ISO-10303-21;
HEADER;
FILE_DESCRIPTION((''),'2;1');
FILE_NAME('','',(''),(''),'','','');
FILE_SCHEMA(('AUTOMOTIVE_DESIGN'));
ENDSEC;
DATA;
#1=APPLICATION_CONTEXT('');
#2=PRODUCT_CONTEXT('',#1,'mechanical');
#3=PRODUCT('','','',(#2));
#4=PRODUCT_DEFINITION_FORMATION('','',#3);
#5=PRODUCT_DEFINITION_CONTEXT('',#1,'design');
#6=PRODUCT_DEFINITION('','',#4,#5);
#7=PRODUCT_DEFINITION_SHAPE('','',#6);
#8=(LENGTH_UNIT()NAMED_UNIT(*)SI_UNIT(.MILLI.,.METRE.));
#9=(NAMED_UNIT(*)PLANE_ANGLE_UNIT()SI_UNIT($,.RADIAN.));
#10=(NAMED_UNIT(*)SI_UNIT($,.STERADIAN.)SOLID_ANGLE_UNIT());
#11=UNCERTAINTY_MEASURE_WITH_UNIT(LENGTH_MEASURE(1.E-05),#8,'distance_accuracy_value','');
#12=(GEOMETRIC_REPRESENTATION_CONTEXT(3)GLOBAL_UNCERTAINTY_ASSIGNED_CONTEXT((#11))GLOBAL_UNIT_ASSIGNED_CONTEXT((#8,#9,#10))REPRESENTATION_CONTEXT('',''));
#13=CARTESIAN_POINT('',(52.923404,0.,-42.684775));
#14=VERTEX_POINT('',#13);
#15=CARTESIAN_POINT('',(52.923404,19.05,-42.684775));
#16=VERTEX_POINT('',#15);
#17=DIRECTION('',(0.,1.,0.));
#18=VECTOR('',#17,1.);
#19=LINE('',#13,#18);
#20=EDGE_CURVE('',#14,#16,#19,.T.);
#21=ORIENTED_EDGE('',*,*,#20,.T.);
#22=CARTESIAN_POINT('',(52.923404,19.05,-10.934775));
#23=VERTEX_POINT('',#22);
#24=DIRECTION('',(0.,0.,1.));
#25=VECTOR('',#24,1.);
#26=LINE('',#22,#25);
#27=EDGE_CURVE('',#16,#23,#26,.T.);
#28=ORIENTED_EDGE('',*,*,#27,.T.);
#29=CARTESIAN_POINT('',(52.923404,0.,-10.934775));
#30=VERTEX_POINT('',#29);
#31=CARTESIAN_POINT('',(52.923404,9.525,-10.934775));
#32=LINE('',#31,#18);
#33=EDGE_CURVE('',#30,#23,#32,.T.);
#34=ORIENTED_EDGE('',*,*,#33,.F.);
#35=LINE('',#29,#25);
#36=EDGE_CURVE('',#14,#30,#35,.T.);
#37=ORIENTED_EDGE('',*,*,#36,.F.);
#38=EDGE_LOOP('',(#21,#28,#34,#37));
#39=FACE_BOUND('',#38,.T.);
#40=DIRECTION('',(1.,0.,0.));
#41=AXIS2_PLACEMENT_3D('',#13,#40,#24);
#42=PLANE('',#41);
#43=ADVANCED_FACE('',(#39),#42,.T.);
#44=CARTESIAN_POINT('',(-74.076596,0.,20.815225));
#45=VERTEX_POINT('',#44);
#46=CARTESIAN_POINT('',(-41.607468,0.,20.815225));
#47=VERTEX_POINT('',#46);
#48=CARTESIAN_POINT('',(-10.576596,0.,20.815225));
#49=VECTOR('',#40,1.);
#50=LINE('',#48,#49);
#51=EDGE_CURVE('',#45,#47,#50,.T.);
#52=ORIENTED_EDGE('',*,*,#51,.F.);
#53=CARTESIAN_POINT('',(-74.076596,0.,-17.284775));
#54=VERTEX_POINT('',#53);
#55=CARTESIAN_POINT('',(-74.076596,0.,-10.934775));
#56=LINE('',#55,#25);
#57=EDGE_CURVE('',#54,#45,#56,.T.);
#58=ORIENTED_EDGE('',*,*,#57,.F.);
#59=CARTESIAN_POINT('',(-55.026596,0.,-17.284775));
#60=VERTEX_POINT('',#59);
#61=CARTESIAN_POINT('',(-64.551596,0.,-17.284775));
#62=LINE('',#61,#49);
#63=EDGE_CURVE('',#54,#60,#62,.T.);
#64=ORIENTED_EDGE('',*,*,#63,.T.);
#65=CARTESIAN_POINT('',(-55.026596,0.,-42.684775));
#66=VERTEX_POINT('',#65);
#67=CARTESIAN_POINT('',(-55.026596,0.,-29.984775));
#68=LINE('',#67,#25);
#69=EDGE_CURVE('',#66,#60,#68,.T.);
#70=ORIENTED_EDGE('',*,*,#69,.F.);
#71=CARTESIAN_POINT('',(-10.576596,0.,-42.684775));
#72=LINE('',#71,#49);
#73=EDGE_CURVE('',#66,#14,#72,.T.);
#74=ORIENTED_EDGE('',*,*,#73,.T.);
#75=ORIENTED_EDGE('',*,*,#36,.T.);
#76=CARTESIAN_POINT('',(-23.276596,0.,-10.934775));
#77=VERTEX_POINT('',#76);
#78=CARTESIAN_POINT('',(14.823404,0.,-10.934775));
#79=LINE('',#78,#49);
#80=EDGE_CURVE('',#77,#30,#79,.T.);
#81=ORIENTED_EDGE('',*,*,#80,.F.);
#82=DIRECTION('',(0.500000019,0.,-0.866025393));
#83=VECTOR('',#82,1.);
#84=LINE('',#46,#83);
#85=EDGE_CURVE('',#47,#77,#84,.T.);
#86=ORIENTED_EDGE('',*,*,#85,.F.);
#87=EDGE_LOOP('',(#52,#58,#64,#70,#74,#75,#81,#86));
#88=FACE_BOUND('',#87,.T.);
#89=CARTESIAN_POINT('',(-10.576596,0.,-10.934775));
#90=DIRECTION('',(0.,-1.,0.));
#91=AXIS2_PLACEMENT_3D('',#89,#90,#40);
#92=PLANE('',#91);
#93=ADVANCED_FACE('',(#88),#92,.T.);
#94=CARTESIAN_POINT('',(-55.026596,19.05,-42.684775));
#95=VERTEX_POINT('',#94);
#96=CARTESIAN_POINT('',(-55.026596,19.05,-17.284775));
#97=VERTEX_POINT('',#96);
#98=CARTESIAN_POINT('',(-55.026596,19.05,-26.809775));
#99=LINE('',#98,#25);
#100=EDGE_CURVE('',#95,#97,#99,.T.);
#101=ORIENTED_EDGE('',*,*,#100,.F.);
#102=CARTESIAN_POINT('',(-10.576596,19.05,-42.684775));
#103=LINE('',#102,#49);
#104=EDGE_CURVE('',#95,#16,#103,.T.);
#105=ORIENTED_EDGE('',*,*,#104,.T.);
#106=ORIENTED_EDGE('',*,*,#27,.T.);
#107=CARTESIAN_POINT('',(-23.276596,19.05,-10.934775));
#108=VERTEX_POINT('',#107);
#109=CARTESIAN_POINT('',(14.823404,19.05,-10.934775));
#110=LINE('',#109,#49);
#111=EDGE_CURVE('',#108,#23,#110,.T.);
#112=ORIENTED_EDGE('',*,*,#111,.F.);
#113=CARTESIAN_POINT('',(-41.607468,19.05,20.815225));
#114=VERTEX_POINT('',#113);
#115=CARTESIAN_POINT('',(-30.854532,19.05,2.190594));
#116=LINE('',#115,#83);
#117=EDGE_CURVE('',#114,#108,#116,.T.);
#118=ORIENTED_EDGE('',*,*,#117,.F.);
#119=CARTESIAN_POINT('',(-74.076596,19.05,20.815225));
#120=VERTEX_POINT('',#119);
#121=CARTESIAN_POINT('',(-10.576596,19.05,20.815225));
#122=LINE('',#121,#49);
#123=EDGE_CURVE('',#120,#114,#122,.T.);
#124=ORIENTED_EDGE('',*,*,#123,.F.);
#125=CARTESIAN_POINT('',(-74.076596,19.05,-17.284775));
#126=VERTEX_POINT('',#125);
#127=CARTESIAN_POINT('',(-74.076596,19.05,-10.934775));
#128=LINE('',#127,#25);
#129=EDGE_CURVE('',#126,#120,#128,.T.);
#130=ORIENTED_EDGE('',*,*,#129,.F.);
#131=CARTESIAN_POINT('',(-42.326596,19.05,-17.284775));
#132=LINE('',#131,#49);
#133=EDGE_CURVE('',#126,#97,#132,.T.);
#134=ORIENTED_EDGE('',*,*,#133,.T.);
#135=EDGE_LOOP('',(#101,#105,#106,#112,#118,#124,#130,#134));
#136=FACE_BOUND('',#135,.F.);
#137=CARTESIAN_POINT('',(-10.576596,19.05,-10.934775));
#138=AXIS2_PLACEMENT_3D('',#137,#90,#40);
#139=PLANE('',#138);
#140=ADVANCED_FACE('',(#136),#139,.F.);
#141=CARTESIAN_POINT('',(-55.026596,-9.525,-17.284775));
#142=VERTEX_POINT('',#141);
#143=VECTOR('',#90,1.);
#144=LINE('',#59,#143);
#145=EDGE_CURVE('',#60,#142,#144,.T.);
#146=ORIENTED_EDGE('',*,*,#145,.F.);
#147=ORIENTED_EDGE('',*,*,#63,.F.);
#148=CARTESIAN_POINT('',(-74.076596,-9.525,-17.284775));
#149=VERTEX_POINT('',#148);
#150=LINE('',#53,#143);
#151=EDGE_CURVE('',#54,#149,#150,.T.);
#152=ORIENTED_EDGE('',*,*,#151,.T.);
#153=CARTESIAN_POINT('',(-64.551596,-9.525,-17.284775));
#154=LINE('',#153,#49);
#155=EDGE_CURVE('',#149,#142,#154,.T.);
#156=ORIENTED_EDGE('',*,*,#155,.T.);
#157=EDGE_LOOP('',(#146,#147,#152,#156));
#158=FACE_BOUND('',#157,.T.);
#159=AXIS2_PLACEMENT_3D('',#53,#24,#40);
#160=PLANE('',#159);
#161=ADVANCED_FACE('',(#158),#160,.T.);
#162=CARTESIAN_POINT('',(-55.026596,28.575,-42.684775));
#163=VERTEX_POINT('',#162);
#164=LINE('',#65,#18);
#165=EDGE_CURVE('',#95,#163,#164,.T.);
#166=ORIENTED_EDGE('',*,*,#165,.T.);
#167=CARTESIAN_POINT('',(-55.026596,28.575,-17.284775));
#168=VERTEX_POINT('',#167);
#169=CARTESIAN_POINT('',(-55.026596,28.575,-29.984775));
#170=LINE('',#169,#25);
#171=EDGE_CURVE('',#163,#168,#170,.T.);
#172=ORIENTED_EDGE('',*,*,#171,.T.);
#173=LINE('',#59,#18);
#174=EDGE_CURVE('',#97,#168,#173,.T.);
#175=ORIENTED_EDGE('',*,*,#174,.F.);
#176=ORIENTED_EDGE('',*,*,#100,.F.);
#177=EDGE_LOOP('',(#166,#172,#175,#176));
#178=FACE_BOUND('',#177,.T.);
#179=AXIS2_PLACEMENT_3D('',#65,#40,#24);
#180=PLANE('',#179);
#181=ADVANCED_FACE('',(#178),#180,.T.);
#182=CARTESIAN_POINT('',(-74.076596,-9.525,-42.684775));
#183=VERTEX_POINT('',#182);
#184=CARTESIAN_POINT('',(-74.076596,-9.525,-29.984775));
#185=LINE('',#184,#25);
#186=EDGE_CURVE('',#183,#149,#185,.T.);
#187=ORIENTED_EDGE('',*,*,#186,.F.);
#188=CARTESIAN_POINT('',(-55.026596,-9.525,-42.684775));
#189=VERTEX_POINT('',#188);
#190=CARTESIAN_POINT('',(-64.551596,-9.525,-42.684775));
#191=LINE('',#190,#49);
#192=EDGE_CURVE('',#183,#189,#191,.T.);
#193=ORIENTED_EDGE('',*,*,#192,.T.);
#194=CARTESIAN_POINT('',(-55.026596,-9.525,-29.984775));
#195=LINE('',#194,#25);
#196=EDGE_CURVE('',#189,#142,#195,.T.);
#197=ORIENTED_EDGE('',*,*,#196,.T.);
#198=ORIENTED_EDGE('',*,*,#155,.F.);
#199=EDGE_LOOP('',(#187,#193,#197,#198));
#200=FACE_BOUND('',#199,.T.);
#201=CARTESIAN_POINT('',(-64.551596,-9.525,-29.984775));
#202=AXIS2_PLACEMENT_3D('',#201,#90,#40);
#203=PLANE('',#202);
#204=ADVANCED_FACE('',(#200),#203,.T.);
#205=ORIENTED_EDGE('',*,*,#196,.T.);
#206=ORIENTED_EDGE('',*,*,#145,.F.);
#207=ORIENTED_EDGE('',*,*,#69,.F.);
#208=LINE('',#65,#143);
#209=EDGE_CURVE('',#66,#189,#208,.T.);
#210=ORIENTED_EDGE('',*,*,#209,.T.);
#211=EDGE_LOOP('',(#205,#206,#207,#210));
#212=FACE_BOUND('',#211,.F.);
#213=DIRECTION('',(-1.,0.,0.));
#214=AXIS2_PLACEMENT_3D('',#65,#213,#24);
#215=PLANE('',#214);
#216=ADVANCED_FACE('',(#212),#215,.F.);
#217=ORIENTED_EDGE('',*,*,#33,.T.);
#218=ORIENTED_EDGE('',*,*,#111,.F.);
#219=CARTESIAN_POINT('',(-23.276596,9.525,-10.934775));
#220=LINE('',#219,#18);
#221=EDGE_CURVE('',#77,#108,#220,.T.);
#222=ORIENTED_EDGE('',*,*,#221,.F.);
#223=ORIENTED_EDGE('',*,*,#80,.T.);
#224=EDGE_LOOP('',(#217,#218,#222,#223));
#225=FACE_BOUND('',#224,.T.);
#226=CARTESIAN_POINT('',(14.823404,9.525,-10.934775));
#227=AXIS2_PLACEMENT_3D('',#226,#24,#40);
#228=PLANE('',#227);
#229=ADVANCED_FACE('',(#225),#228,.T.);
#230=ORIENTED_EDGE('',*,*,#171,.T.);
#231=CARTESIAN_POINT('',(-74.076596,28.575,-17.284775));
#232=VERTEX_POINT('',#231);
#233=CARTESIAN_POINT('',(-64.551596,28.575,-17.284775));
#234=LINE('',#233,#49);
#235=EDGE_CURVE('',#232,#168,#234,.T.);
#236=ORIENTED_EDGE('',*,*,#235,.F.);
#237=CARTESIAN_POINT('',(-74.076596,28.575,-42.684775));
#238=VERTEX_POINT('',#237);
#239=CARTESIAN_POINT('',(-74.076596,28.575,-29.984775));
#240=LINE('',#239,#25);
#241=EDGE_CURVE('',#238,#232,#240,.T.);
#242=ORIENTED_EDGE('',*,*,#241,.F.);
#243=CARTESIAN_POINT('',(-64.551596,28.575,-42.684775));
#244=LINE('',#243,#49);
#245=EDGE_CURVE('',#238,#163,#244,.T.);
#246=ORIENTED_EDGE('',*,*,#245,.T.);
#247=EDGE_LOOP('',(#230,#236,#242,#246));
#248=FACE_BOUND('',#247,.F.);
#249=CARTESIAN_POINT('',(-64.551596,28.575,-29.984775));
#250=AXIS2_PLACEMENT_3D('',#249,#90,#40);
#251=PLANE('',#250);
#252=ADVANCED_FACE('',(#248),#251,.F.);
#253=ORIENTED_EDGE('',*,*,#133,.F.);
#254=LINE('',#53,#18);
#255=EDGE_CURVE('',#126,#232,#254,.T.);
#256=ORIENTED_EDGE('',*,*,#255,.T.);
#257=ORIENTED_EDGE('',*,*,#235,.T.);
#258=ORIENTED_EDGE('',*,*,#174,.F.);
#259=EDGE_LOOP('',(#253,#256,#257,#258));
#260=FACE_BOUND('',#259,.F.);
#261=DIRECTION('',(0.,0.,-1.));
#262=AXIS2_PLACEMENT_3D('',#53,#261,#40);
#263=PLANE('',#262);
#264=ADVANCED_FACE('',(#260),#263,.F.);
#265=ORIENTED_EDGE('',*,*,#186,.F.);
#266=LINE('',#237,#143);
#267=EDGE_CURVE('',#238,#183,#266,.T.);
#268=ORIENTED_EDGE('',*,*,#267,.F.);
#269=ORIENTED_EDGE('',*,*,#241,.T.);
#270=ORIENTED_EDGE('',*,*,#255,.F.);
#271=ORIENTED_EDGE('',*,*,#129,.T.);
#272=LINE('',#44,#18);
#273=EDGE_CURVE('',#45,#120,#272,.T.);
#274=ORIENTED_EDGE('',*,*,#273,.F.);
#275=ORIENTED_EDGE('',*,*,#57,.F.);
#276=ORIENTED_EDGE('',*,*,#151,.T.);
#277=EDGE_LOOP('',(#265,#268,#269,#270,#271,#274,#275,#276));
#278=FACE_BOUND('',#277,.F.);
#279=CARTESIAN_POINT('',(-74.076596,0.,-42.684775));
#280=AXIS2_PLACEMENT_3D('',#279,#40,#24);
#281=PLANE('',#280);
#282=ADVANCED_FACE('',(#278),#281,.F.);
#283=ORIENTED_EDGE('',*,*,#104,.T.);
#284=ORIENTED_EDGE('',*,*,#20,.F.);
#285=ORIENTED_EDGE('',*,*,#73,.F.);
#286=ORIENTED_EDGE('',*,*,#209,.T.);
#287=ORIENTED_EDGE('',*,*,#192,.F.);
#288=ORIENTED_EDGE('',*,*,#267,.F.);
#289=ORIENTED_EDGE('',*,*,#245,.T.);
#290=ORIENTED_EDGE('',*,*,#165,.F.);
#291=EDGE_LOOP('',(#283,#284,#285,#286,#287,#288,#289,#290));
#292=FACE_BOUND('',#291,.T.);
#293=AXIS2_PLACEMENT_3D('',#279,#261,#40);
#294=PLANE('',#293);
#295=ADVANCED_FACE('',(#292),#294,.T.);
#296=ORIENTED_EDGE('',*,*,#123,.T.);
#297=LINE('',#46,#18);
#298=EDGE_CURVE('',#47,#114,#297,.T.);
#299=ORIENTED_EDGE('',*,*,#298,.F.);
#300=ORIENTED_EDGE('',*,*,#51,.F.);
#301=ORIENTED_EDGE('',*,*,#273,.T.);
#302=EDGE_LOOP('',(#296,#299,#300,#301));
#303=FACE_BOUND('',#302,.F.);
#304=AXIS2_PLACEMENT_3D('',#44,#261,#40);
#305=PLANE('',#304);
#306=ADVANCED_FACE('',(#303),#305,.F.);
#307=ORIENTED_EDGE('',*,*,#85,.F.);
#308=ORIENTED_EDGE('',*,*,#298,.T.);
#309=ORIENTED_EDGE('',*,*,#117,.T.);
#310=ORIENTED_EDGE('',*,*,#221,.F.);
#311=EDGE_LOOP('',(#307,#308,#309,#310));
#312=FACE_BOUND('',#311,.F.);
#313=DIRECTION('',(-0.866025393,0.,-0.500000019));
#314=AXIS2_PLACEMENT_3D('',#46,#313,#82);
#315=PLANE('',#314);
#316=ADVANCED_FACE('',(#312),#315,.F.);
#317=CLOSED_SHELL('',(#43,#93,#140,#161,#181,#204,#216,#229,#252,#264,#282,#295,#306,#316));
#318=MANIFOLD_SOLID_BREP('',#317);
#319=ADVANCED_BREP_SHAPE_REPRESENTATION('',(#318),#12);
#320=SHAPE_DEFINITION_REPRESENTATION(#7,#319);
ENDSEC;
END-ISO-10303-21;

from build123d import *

# Parameters (mm, degrees)
F0_W          = 127
F0_H          = 63.5
F1_DEPTH      = 19.05
F2_W          = 76.2
F2_H          = 19.05
F3_DEPTH      = 31.75
F5_DEPTH      = 25.4
F6_W          = 19.05
F6_H          = 25.4
F7_DEPTH      = 9.525
F7_DEPTH_BACK = 28.575


with BuildPart() as f1:
    # F0 (on Front) → F1 (new body)
    with BuildSketch(Plane.XZ):
        with Locations((-10.576596, -10.934775)):
            Rectangle(F0_W, F0_H)
    extrude(amount=-F1_DEPTH)

    # F2 (on face) → F3 (cut)
    with BuildSketch(Plane.XY.offset(20.815225)):
        with Locations((14.823404, 9.525)):
            Rectangle(F2_W, F2_H)
    extrude(amount=-F3_DEPTH, mode=Mode.SUBTRACT)

    # F4 (on face) → F5 (cut)
    with BuildSketch(Plane.XZ):
        Polygon((-41.607468, 20.815225), (-23.276596, -10.934775), (-23.276596, 20.815225), align=None)
    extrude(amount=-F5_DEPTH, mode=Mode.SUBTRACT)

    # F6 (on face) → F7 (join, two sides)
    with BuildSketch(Plane.XZ) as f7_sk:
        with Locations((-64.551596, -29.984775)):
            Rectangle(F6_W, F6_H)
    extrude(amount=F7_DEPTH)
    extrude(f7_sk.sketch, amount=-F7_DEPTH_BACK)


solid = f1.part
